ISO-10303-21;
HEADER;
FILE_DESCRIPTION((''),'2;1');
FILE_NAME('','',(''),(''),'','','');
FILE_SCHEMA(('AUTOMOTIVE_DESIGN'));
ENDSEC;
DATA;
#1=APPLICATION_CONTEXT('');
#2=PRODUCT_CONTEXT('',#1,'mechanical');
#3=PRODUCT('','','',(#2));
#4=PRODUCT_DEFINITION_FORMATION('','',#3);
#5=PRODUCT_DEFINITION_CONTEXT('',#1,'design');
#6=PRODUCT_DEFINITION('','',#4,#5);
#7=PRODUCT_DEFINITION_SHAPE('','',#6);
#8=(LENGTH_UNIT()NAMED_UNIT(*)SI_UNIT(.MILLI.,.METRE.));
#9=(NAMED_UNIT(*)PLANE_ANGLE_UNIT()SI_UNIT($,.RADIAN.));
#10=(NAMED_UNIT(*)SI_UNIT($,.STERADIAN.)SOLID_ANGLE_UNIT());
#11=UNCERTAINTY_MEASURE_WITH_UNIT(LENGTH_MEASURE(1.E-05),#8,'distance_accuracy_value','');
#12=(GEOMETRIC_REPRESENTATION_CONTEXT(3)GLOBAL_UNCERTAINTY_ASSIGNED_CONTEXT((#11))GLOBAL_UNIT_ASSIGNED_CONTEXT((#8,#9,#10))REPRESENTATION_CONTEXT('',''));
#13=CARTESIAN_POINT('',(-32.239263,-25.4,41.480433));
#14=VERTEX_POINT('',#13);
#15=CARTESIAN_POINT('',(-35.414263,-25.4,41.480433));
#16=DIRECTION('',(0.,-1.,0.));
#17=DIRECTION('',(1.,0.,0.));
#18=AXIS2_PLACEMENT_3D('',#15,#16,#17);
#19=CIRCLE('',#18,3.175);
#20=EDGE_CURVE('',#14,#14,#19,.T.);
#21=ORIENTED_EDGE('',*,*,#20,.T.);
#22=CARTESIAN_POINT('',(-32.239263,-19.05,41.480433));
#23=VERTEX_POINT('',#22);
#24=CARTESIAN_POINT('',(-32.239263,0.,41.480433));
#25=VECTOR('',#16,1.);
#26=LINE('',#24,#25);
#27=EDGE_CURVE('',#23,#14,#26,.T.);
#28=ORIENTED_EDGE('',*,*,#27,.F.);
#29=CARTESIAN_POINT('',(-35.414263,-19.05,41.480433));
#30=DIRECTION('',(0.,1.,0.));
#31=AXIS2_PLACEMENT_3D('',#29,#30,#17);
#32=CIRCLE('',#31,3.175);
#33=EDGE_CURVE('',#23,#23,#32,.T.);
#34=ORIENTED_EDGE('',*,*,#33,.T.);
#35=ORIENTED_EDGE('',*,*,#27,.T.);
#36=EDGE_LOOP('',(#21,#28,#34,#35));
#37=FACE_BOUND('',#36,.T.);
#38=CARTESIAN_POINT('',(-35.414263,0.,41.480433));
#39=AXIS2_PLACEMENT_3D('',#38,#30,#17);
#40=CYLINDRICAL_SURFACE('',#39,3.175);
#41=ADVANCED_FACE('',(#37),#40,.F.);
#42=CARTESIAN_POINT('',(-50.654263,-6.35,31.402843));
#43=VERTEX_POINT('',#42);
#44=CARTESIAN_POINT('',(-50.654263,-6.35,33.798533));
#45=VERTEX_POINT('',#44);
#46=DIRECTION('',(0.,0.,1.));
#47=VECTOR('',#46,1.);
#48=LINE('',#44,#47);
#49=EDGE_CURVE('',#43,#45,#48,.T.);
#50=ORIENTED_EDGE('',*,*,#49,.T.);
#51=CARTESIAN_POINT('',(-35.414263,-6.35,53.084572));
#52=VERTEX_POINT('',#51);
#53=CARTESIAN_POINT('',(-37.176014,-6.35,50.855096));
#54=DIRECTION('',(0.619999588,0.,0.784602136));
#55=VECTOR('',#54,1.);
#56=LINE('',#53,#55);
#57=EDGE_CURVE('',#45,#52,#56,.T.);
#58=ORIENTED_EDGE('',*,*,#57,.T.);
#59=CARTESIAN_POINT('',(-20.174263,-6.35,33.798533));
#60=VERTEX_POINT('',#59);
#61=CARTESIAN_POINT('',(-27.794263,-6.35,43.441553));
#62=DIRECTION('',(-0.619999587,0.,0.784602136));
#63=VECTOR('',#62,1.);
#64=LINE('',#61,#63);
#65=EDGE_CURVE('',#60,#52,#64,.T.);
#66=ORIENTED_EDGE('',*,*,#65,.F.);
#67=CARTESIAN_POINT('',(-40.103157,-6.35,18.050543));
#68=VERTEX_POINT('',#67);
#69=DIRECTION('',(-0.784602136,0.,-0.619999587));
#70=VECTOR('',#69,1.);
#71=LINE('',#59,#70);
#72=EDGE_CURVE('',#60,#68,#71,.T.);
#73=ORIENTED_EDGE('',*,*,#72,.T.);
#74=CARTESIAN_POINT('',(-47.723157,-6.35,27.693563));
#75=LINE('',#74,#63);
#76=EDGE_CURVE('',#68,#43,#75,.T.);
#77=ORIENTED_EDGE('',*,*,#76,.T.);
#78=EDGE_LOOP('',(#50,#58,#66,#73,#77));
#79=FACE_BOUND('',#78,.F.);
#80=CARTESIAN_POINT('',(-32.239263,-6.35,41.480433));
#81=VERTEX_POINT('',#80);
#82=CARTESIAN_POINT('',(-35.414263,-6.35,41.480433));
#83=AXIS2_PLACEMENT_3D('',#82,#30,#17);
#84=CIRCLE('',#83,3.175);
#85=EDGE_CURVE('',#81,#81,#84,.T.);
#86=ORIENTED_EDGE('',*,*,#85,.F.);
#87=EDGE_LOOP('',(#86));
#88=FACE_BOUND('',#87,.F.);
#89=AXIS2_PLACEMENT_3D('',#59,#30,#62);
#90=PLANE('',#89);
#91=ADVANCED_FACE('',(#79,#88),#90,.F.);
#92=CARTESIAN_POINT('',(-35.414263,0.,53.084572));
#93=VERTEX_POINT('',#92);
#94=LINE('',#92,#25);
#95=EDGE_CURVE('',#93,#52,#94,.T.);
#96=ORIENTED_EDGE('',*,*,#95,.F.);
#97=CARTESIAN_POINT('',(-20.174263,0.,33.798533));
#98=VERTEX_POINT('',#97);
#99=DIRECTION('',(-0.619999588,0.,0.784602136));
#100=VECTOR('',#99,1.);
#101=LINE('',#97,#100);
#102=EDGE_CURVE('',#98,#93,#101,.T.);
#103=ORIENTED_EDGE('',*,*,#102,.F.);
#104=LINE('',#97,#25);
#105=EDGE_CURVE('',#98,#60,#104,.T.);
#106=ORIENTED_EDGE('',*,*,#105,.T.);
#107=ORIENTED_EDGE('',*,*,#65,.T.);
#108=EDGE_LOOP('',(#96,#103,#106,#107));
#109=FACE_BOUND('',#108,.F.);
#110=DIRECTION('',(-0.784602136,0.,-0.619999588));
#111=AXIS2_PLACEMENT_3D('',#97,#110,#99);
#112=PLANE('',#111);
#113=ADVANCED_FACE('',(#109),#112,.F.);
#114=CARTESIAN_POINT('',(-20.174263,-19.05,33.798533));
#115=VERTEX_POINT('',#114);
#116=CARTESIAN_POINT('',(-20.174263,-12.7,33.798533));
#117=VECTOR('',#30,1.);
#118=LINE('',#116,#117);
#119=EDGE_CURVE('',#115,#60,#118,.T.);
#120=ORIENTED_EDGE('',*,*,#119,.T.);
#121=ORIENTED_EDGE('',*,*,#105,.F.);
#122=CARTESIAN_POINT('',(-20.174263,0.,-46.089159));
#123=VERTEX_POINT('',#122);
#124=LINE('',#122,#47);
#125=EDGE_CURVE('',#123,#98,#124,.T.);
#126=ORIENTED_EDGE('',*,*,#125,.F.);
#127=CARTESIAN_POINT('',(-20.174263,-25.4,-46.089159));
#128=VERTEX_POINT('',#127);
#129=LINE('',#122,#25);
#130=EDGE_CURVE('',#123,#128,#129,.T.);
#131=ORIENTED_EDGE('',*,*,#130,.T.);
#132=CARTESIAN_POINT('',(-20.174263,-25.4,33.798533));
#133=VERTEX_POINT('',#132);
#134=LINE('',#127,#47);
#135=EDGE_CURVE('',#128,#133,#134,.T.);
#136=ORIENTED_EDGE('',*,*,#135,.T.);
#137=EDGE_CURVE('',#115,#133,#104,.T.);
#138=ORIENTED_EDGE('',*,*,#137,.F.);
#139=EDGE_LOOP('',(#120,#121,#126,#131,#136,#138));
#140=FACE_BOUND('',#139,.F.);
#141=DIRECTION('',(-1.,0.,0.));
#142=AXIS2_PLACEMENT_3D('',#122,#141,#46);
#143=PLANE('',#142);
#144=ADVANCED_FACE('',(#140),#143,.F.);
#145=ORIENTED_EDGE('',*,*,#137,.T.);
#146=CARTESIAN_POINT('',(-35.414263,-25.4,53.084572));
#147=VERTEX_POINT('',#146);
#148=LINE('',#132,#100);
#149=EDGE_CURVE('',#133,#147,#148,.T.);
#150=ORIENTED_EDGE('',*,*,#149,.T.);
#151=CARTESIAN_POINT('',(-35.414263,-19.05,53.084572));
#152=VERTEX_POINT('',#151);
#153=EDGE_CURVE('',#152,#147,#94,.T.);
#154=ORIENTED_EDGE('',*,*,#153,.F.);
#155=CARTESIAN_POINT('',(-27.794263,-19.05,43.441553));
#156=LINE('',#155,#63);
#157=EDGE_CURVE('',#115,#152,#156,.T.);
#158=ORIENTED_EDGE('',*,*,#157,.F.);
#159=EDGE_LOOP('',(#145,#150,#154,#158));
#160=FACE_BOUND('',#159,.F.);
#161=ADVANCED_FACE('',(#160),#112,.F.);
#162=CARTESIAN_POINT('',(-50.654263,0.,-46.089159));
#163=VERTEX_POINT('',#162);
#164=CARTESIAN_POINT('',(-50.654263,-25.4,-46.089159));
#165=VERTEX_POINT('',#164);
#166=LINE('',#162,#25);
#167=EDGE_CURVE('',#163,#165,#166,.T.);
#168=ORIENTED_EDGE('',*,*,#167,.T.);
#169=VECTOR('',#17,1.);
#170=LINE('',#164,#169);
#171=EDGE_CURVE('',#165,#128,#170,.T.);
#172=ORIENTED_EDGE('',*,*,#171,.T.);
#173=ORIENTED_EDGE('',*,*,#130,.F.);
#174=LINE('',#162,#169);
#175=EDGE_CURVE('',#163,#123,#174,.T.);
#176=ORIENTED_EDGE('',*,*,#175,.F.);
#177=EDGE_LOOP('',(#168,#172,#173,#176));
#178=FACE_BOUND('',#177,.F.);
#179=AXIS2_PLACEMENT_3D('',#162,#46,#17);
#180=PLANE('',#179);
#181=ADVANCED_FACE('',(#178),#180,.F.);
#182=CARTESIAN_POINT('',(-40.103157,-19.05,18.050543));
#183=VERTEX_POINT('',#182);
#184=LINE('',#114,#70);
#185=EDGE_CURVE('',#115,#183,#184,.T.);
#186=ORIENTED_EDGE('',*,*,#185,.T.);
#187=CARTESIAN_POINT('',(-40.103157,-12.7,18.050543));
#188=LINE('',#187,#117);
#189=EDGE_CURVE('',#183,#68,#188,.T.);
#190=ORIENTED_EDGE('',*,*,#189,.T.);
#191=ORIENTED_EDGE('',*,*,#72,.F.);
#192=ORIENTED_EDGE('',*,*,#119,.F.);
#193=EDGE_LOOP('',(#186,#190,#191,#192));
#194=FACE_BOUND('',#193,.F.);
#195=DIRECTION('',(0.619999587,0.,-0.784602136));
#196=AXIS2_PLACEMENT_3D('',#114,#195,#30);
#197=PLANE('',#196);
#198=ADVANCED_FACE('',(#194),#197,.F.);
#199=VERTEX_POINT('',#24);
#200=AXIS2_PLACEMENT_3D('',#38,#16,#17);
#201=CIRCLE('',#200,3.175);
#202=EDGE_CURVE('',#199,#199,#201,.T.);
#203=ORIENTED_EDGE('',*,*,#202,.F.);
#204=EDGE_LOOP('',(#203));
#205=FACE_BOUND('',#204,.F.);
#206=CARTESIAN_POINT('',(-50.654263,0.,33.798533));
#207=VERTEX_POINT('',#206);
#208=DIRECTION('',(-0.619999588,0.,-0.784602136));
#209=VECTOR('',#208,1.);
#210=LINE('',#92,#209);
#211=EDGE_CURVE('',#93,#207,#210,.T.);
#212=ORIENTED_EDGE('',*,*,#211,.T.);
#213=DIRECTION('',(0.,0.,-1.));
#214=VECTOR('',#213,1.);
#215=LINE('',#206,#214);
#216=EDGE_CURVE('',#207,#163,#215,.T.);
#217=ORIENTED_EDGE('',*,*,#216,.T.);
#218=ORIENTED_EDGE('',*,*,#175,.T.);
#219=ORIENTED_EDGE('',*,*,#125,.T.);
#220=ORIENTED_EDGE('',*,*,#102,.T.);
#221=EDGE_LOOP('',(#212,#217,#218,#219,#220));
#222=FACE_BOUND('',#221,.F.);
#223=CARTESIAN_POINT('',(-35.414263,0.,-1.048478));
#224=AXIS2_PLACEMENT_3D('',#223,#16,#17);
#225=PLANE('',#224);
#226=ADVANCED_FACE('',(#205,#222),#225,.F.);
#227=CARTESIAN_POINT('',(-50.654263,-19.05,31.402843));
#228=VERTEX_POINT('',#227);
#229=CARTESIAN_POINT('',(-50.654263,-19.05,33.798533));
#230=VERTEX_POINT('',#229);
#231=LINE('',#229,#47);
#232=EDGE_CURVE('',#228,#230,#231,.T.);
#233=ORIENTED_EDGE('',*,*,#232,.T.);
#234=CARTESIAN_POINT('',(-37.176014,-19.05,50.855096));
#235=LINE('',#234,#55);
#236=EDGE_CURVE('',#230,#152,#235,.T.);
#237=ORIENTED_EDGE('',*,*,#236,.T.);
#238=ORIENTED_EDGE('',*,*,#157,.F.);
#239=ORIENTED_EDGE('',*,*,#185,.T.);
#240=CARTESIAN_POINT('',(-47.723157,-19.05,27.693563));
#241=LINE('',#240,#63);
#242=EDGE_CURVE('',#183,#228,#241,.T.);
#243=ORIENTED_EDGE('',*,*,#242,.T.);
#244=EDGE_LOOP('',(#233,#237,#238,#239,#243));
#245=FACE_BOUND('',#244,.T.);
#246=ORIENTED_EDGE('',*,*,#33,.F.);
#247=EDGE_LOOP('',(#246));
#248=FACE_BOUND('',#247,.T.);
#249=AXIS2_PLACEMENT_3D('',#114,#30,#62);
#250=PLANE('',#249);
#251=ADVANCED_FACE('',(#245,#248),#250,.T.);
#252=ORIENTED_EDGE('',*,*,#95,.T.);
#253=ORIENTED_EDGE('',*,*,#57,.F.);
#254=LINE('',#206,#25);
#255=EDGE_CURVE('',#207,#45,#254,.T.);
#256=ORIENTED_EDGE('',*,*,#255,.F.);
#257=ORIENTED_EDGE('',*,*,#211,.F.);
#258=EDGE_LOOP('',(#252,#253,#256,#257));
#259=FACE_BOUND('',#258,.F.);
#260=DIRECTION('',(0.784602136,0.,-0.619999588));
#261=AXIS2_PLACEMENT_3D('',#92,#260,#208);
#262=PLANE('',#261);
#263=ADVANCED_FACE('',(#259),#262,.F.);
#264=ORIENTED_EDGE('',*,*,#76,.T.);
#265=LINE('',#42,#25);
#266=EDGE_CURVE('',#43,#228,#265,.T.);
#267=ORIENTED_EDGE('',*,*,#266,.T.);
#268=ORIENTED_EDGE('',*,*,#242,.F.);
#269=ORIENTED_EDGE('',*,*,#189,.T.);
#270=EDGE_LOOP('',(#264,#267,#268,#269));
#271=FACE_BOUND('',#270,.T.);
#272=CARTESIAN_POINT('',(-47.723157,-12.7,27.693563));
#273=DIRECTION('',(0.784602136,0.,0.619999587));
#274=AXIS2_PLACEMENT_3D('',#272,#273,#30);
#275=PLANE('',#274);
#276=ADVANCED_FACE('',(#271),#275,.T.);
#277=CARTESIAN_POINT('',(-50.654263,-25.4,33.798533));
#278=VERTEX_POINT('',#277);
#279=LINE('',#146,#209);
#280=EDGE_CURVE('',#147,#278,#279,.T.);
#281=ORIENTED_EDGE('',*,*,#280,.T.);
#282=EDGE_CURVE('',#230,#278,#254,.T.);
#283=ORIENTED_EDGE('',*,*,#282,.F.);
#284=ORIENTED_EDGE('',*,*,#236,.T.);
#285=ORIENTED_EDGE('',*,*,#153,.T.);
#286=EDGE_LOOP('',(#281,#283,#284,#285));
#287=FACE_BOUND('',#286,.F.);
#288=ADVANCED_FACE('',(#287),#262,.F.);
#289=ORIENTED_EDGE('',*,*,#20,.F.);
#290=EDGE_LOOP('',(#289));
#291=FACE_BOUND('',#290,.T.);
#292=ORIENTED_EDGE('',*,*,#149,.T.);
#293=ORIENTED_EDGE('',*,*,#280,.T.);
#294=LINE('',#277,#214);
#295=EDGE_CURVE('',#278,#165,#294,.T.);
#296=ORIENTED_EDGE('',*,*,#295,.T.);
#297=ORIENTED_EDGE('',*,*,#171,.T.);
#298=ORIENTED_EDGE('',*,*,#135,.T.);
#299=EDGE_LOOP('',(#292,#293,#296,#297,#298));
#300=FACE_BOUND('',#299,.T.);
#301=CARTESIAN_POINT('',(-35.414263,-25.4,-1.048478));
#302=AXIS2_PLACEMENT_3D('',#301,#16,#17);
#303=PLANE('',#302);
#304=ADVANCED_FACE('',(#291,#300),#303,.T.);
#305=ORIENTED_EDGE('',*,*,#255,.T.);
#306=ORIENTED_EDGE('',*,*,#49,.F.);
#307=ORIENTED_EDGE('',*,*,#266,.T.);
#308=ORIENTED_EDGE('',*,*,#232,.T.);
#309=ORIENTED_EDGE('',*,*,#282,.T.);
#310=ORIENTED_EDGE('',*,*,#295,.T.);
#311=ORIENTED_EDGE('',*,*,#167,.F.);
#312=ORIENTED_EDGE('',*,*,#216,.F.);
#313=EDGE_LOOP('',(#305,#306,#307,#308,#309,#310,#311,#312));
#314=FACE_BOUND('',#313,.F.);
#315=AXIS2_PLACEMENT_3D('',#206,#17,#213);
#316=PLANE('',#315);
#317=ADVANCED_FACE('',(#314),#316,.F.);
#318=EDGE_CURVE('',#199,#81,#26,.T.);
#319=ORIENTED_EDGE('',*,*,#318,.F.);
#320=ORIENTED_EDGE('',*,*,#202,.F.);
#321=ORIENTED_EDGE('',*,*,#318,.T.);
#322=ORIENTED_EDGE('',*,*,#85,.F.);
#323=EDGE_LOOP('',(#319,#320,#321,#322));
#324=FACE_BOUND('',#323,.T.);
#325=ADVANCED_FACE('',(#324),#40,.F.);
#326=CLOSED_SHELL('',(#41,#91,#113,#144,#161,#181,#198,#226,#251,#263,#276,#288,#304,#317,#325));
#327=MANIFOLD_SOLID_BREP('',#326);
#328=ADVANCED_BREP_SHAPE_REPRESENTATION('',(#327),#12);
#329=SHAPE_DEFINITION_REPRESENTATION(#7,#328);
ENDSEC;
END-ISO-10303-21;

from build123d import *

# Parameters (mm, degrees)
F0_R     = 3.175
F1_DEPTH = 25.4
F2_W     = 12.7
F2_H     = 24.5806615153
F3_DEPTH = 25.4


with BuildPart() as f1:
    # F0 (on Front) → F1 (new body)
    with BuildSketch(Plane.XZ):
        Polygon((-20.1742626747, 33.7985328736), (-35.4142626747, 53.0845723978), (-50.6542626747, 33.7985328736), (-50.6542626747, -46.0891589454), (-20.1742626747, -46.0891589454), align=None)
        with Locations((-35.4142626747, 41.4804334976)):
            Circle(F0_R, mode=Mode.SUBTRACT)
    extrude(amount=F1_DEPTH)

    # F2 (on face) → F3 (cut)
    with BuildSketch(Plane(origin=(4.0221113088, 0, 3.1783081368), x_dir=(0, 1, 0), z_dir=(0.7846021358, 0, 0.6199995875))):
        with Locations((-12.7, 51.3167663736)):
            Rectangle(F2_W, F2_H)
    extrude(amount=-F3_DEPTH, mode=Mode.SUBTRACT)


solid = f1.part
